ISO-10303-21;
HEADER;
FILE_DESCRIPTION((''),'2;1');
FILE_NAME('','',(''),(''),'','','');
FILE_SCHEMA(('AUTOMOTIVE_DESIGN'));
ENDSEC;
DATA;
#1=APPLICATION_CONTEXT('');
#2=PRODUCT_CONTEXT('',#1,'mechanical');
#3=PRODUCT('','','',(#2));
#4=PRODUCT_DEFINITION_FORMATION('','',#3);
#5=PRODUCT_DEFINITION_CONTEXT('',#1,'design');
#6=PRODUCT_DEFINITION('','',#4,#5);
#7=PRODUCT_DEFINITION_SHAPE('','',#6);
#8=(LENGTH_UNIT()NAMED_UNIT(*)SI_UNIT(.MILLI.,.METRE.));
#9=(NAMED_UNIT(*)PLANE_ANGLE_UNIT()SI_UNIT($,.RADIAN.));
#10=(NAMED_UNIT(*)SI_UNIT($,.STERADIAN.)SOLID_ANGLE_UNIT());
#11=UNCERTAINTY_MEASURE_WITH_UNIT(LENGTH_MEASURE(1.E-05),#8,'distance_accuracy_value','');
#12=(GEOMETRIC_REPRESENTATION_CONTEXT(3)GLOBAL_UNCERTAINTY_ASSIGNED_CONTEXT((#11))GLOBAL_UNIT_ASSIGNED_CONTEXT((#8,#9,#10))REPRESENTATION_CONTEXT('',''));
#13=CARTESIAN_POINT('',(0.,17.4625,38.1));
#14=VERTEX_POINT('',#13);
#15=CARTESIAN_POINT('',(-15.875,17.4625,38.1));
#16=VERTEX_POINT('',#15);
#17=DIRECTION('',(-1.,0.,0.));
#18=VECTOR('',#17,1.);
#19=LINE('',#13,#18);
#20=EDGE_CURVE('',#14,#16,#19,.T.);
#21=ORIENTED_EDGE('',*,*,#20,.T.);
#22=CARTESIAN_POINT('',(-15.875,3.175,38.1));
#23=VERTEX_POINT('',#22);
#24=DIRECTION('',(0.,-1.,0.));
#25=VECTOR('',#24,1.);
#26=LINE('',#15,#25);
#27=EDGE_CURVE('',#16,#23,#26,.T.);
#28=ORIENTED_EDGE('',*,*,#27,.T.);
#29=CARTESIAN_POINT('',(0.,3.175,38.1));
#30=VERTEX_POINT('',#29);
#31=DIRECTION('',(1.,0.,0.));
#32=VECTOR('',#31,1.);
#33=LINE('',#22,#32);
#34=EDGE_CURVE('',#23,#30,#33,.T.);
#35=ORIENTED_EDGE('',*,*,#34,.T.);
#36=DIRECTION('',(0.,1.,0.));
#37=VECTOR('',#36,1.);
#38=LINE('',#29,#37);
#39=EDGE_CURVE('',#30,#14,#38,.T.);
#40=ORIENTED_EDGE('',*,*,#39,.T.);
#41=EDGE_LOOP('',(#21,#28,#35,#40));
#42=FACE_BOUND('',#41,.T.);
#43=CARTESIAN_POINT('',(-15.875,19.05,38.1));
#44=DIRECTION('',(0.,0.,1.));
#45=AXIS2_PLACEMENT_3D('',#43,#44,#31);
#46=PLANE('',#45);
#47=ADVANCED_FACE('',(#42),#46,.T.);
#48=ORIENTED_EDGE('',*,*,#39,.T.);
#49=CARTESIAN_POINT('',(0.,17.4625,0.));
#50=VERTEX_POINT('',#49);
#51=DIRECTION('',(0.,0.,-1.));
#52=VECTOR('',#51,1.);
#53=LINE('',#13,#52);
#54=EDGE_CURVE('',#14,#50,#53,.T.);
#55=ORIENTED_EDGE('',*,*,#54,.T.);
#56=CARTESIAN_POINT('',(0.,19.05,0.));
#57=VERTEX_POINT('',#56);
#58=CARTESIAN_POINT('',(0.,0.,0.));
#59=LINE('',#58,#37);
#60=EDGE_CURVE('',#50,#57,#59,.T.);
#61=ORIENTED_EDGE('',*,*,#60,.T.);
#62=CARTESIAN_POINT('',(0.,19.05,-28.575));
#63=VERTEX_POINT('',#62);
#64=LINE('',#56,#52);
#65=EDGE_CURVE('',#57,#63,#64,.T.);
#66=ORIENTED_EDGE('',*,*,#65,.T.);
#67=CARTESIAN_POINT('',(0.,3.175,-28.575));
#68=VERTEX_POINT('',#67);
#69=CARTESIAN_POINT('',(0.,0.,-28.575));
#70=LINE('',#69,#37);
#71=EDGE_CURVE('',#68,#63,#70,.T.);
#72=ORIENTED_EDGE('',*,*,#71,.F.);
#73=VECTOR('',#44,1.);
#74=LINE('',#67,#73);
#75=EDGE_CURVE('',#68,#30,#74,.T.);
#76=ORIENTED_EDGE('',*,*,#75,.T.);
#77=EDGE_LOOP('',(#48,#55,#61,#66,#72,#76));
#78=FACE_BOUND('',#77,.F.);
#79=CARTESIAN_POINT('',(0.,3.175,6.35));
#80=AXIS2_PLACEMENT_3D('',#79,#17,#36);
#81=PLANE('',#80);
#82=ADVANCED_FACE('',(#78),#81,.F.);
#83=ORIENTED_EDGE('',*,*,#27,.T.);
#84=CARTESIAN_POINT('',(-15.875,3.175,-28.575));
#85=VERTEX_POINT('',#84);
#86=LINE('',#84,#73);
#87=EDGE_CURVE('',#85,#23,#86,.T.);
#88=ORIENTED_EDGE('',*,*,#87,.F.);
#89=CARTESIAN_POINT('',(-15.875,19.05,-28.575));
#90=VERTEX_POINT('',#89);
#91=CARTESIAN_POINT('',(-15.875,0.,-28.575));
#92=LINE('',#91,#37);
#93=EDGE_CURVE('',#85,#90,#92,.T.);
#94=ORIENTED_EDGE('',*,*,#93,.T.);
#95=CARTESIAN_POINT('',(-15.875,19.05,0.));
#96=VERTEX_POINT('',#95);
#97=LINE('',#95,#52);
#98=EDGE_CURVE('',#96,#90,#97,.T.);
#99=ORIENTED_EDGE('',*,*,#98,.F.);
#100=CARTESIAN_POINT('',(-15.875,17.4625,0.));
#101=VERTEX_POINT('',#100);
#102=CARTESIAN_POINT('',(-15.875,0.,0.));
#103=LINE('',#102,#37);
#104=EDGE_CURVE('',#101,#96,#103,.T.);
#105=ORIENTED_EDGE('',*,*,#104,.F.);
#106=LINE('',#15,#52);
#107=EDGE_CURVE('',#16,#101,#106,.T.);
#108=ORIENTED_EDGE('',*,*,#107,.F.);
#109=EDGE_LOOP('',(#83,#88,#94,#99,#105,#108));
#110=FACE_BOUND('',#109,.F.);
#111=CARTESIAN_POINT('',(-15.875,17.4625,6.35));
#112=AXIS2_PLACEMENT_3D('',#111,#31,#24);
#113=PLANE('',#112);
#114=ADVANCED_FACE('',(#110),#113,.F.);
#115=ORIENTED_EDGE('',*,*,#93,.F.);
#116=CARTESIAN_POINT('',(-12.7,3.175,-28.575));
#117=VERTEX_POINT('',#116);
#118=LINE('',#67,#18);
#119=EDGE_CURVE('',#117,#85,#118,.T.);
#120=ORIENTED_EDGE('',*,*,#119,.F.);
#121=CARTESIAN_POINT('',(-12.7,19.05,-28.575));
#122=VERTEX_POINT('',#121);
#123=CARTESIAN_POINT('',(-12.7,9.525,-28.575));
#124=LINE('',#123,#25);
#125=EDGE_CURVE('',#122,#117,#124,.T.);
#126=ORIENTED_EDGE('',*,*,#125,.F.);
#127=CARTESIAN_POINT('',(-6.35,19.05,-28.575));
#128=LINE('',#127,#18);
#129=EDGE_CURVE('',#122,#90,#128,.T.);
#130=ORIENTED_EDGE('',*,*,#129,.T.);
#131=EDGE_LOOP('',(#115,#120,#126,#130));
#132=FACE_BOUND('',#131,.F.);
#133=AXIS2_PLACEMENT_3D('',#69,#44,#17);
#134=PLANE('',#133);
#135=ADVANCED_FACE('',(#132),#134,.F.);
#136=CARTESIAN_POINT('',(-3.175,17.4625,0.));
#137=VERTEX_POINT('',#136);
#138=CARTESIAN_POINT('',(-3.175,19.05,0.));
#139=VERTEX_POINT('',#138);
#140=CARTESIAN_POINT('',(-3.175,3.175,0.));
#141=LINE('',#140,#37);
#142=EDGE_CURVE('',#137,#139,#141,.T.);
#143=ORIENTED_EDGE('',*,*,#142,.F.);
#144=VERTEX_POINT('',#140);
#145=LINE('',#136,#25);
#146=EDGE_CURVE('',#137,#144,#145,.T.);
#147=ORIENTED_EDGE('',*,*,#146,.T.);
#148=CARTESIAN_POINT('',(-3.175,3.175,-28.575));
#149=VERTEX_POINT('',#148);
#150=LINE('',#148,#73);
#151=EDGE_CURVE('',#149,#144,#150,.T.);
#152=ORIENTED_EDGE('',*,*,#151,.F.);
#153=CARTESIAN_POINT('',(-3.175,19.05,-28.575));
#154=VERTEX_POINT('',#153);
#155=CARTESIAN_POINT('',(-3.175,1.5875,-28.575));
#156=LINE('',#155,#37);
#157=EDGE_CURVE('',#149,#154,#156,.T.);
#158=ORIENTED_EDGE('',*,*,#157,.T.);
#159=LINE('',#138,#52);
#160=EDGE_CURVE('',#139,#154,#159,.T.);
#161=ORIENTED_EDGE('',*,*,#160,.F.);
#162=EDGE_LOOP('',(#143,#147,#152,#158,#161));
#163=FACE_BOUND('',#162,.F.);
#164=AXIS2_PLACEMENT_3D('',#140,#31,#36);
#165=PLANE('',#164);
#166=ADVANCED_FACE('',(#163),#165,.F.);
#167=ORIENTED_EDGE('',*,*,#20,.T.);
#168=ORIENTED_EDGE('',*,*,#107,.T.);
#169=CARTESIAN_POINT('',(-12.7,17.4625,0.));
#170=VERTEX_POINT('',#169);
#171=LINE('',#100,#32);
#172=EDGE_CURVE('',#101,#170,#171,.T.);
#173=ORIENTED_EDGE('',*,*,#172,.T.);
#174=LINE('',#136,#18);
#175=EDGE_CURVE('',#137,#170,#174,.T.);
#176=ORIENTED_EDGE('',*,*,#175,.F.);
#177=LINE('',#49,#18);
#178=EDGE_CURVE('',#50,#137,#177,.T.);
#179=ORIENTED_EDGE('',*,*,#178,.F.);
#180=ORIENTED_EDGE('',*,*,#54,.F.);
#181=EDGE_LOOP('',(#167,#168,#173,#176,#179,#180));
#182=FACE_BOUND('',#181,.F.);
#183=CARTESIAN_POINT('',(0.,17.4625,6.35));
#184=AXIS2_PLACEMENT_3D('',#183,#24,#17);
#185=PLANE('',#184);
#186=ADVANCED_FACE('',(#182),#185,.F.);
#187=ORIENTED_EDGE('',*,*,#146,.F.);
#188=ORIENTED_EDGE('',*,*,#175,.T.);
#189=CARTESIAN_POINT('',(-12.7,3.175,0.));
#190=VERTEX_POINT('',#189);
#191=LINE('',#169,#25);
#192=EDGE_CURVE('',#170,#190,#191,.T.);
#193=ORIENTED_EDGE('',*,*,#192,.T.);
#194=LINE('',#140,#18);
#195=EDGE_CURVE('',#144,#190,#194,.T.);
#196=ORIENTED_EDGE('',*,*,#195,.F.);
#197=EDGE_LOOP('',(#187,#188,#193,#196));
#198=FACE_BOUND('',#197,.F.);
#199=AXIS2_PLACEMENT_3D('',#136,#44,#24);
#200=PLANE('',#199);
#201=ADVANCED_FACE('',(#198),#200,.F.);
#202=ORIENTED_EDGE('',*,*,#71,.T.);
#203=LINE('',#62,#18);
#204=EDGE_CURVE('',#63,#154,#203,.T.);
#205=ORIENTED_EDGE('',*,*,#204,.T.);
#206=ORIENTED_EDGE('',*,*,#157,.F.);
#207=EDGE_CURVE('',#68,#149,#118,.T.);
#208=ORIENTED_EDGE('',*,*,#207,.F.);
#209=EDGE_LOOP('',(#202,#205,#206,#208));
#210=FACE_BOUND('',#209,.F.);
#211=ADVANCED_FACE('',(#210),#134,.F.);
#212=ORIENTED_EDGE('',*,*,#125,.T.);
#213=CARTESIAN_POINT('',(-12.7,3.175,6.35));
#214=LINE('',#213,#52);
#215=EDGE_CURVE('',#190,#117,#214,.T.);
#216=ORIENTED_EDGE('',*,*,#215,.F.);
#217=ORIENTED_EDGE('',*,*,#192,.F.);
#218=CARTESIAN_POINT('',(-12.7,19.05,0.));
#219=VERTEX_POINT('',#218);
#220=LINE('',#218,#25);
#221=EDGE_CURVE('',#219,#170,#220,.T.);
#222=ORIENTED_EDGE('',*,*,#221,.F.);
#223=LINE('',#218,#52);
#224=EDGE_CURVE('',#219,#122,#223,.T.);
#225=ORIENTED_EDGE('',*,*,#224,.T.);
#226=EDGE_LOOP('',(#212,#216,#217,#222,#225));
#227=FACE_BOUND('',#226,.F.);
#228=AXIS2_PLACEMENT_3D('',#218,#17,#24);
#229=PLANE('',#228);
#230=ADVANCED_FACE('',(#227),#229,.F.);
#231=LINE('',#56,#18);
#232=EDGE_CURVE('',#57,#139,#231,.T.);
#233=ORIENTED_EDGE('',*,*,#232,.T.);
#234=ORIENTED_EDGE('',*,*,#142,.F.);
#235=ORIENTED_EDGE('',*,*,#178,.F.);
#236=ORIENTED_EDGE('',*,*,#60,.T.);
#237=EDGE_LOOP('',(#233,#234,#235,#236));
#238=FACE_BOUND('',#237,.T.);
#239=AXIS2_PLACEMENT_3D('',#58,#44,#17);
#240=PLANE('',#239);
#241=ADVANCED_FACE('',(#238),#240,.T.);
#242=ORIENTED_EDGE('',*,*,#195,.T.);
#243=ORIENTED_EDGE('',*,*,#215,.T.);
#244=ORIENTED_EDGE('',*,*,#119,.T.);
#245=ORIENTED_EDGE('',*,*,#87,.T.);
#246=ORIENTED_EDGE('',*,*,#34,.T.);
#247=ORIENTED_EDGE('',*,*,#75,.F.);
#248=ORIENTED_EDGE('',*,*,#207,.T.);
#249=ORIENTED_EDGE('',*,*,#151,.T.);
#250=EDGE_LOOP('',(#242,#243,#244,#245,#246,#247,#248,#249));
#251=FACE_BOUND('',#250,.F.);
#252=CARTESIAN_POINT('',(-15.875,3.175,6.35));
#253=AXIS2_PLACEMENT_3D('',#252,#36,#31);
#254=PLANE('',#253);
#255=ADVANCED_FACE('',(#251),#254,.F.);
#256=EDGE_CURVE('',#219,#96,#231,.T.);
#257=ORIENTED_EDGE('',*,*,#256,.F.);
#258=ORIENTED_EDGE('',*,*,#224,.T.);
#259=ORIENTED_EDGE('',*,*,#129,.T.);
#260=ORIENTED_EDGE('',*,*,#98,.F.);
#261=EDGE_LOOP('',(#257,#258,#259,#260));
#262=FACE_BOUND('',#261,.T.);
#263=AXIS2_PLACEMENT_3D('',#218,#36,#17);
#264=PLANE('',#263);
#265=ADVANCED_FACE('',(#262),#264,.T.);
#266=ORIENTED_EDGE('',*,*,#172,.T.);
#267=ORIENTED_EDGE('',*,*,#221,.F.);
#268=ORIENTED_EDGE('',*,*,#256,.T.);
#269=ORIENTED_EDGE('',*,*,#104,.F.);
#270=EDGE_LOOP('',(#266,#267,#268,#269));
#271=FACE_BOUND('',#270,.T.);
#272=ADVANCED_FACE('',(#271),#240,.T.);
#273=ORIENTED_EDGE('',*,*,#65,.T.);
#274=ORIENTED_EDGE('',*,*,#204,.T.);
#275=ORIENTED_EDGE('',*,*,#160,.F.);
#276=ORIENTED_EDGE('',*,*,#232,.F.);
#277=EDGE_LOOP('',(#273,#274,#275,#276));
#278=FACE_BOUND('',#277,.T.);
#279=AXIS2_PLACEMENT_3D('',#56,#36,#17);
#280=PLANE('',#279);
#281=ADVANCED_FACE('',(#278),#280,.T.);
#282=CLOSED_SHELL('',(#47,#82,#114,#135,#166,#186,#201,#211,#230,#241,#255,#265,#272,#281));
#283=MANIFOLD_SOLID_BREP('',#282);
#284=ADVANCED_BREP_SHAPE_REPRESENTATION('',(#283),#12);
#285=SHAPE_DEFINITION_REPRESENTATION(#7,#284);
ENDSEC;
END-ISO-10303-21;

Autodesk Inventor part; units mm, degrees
ref_plane "YZ Plane" through (0, 0, 0) normal (1, 0, 0) x (0, 1, 0)
ref_plane "XZ Plane" through (0, 0, 0) normal (0, 1, 0) x (-1, 0, 0)
ref_plane "XY Plane" through (0, 0, 0) normal (0, 0, 1) x (1, 0, 0)
sketch "Sketch1" plane through (0, 0, 0) normal (0, 1, 0) x (-1, 0, 0)
  line L0 (0, 0) -> (0, -28.575)
  line L1 (0, 0) -> (15.875, 0)
  line L2 (15.875, 0) -> (15.875, -28.575)
  line L3 (0, -28.575) -> (15.875, -28.575)
  dimension "d0" = 28.575
  dimension "d1" = 15.875
extrude "Extrusion1" add sketch "Sketch1" along normal blind 22.225
sketch "Sketch2" plane through (-15.875, 0, 0) normal (0, 0, 1) x (1, 0, 0)
  line L0 (3.175, 3.175) -> (12.7, 3.175)
  line L1 (12.7, 3.175) -> (12.7, 19.05)
  line L2 (12.7, 19.05) -> (3.175, 19.05)
  line L3 (3.175, 19.05) -> (3.175, 3.175)
  line L4 (0, 0) -> (15.875, 0) construction
  line L5 (15.875, 0) -> (15.875, 22.225) construction
  line L6 (15.875, 22.225) -> (0, 22.225) construction
  line L7 (0, 22.225) -> (0, 0) construction
  dimension "d4" = 9.525
  dimension "d5" = 15.875
  dimension "d6" = 3.175
  dimension "d7" = 3.175
  dimension "d8" = 3.175
extrude "Extrusion2" cut sketch "Sketch2" against normal blind 50.8
sketch "Sketch3" plane through (-15.875, 0, 0) normal (0, 0, 1) x (1, 0, 0)
  line L0 (15.875, 0) -> (15.875, 22.225) projected
  line L1 (0, 22.225) -> (15.875, 22.225)
  line L2 (15.875, 22.225) -> (15.875, 19.05)
  line L3 (15.875, 19.05) -> (0, 19.05)
  line L4 (0, 19.05) -> (0, 22.225)
  line L5 (3.175, 19.05) -> (12.7, 19.05) construction
  line L6 (3.175, 19.05) -> (12.7, 19.05) projected
extrude "Extrusion3" cut sketch "Sketch3" against normal blind 50.8
sketch "Sketch4" plane through (-15.875, 0, 0) normal (0, 0, 1) x (1, 0, 0)
  line L0 (15.875, 0) -> (15.875, 19.05) projected
  line L1 (0, 0) -> (15.875, 0)
  line L2 (15.875, 0) -> (15.875, 3.175)
  line L3 (15.875, 3.175) -> (0, 3.175)
  line L4 (0, 3.175) -> (0, 0)
  point P0 (12.7, 3.175)
extrude "Extrusion4" cut sketch "Sketch4" against normal blind 50.8
sketch "Sketch5" plane through (-15.875, 19.05, 0) normal (0, 0, 1) x (1, 0, 0)
  line L0 (0, -15.875) -> (0, -1.5875)
  line L1 (0, -15.875) -> (3.175, -15.875)
  line L2 (0, -15.875) -> (3.175, -15.875) projected
  line L3 (3.175, -15.875) -> (3.175, -1.5875)
  line L4 (12.7, -15.875) -> (15.875, -15.875)
  line L5 (15.875, -15.875) -> (12.7, -15.875) projected
  line L6 (15.875, -15.875) -> (15.875, -1.5875)
  line L7 (12.7, -15.875) -> (12.7, -1.5875)
  line L8 (0, -1.5875) -> (3.175, -1.5875)
  line L9 (0, -15.875) -> (0, 0) projected
  line L10 (15.875, -1.5875) -> (12.7, -1.5875)
  line L11 (12.7, -15.875) -> (12.7, 0) projected
  line L12 (3.175, 0) -> (0, 0) projected
  line L13 (15.875, 0) -> (12.7, 0) projected
  line L14 (12.7, -15.875) -> (15.875, -15.875) projected
  line L15 (15.875, -15.875) -> (15.875, 0) projected
  point P0 (15.875, -19.05)
  dimension "d15" = 1.5875
  dimension "d16" = 1.5875
  dimension "d17" = 14.2875
extrude "Extrusion5" add sketch "Sketch5" along normal blind 6.35 contours L0 L8 L3 L1 | L7 L10 L6 L4
sketch "Sketch6" plane through (-3.175, 19.05, -28.575) normal (-1, 0, 0) x (0, 0, 1)
  line L0 (34.925, -15.875) -> (0, -15.875) projected
  line L1 (34.925, -1.5875) -> (28.575, -1.5875)
  line L2 (28.575, -1.5875) -> (28.575, -15.875)
  line L3 (28.575, -15.875) -> (34.925, -15.875)
  line L4 (34.925, -15.875) -> (34.925, -1.5875)
  point P0 (28.575, -19.05)
  dimension "d20" = 6.35
extrude "Extrusion6" add sketch "Sketch6" along normal blind 9.525
sketch "Sketch7" plane through (-15.875, 19.05, 6.35) normal (0, 0, 1) x (1, 0, 0)
  line L0 (0, -15.875) -> (15.875, -15.875)
  line L1 (15.875, -15.875) -> (15.875, -1.5875)
  line L2 (15.875, -1.5875) -> (0, -1.5875)
  line L3 (0, -1.5875) -> (0, -15.875)
  point P0 (15.875, -19.05)
extrude "Extrusion7" add sketch "Sketch7" along normal blind 31.75
properties part number "Limit Switch Container"
